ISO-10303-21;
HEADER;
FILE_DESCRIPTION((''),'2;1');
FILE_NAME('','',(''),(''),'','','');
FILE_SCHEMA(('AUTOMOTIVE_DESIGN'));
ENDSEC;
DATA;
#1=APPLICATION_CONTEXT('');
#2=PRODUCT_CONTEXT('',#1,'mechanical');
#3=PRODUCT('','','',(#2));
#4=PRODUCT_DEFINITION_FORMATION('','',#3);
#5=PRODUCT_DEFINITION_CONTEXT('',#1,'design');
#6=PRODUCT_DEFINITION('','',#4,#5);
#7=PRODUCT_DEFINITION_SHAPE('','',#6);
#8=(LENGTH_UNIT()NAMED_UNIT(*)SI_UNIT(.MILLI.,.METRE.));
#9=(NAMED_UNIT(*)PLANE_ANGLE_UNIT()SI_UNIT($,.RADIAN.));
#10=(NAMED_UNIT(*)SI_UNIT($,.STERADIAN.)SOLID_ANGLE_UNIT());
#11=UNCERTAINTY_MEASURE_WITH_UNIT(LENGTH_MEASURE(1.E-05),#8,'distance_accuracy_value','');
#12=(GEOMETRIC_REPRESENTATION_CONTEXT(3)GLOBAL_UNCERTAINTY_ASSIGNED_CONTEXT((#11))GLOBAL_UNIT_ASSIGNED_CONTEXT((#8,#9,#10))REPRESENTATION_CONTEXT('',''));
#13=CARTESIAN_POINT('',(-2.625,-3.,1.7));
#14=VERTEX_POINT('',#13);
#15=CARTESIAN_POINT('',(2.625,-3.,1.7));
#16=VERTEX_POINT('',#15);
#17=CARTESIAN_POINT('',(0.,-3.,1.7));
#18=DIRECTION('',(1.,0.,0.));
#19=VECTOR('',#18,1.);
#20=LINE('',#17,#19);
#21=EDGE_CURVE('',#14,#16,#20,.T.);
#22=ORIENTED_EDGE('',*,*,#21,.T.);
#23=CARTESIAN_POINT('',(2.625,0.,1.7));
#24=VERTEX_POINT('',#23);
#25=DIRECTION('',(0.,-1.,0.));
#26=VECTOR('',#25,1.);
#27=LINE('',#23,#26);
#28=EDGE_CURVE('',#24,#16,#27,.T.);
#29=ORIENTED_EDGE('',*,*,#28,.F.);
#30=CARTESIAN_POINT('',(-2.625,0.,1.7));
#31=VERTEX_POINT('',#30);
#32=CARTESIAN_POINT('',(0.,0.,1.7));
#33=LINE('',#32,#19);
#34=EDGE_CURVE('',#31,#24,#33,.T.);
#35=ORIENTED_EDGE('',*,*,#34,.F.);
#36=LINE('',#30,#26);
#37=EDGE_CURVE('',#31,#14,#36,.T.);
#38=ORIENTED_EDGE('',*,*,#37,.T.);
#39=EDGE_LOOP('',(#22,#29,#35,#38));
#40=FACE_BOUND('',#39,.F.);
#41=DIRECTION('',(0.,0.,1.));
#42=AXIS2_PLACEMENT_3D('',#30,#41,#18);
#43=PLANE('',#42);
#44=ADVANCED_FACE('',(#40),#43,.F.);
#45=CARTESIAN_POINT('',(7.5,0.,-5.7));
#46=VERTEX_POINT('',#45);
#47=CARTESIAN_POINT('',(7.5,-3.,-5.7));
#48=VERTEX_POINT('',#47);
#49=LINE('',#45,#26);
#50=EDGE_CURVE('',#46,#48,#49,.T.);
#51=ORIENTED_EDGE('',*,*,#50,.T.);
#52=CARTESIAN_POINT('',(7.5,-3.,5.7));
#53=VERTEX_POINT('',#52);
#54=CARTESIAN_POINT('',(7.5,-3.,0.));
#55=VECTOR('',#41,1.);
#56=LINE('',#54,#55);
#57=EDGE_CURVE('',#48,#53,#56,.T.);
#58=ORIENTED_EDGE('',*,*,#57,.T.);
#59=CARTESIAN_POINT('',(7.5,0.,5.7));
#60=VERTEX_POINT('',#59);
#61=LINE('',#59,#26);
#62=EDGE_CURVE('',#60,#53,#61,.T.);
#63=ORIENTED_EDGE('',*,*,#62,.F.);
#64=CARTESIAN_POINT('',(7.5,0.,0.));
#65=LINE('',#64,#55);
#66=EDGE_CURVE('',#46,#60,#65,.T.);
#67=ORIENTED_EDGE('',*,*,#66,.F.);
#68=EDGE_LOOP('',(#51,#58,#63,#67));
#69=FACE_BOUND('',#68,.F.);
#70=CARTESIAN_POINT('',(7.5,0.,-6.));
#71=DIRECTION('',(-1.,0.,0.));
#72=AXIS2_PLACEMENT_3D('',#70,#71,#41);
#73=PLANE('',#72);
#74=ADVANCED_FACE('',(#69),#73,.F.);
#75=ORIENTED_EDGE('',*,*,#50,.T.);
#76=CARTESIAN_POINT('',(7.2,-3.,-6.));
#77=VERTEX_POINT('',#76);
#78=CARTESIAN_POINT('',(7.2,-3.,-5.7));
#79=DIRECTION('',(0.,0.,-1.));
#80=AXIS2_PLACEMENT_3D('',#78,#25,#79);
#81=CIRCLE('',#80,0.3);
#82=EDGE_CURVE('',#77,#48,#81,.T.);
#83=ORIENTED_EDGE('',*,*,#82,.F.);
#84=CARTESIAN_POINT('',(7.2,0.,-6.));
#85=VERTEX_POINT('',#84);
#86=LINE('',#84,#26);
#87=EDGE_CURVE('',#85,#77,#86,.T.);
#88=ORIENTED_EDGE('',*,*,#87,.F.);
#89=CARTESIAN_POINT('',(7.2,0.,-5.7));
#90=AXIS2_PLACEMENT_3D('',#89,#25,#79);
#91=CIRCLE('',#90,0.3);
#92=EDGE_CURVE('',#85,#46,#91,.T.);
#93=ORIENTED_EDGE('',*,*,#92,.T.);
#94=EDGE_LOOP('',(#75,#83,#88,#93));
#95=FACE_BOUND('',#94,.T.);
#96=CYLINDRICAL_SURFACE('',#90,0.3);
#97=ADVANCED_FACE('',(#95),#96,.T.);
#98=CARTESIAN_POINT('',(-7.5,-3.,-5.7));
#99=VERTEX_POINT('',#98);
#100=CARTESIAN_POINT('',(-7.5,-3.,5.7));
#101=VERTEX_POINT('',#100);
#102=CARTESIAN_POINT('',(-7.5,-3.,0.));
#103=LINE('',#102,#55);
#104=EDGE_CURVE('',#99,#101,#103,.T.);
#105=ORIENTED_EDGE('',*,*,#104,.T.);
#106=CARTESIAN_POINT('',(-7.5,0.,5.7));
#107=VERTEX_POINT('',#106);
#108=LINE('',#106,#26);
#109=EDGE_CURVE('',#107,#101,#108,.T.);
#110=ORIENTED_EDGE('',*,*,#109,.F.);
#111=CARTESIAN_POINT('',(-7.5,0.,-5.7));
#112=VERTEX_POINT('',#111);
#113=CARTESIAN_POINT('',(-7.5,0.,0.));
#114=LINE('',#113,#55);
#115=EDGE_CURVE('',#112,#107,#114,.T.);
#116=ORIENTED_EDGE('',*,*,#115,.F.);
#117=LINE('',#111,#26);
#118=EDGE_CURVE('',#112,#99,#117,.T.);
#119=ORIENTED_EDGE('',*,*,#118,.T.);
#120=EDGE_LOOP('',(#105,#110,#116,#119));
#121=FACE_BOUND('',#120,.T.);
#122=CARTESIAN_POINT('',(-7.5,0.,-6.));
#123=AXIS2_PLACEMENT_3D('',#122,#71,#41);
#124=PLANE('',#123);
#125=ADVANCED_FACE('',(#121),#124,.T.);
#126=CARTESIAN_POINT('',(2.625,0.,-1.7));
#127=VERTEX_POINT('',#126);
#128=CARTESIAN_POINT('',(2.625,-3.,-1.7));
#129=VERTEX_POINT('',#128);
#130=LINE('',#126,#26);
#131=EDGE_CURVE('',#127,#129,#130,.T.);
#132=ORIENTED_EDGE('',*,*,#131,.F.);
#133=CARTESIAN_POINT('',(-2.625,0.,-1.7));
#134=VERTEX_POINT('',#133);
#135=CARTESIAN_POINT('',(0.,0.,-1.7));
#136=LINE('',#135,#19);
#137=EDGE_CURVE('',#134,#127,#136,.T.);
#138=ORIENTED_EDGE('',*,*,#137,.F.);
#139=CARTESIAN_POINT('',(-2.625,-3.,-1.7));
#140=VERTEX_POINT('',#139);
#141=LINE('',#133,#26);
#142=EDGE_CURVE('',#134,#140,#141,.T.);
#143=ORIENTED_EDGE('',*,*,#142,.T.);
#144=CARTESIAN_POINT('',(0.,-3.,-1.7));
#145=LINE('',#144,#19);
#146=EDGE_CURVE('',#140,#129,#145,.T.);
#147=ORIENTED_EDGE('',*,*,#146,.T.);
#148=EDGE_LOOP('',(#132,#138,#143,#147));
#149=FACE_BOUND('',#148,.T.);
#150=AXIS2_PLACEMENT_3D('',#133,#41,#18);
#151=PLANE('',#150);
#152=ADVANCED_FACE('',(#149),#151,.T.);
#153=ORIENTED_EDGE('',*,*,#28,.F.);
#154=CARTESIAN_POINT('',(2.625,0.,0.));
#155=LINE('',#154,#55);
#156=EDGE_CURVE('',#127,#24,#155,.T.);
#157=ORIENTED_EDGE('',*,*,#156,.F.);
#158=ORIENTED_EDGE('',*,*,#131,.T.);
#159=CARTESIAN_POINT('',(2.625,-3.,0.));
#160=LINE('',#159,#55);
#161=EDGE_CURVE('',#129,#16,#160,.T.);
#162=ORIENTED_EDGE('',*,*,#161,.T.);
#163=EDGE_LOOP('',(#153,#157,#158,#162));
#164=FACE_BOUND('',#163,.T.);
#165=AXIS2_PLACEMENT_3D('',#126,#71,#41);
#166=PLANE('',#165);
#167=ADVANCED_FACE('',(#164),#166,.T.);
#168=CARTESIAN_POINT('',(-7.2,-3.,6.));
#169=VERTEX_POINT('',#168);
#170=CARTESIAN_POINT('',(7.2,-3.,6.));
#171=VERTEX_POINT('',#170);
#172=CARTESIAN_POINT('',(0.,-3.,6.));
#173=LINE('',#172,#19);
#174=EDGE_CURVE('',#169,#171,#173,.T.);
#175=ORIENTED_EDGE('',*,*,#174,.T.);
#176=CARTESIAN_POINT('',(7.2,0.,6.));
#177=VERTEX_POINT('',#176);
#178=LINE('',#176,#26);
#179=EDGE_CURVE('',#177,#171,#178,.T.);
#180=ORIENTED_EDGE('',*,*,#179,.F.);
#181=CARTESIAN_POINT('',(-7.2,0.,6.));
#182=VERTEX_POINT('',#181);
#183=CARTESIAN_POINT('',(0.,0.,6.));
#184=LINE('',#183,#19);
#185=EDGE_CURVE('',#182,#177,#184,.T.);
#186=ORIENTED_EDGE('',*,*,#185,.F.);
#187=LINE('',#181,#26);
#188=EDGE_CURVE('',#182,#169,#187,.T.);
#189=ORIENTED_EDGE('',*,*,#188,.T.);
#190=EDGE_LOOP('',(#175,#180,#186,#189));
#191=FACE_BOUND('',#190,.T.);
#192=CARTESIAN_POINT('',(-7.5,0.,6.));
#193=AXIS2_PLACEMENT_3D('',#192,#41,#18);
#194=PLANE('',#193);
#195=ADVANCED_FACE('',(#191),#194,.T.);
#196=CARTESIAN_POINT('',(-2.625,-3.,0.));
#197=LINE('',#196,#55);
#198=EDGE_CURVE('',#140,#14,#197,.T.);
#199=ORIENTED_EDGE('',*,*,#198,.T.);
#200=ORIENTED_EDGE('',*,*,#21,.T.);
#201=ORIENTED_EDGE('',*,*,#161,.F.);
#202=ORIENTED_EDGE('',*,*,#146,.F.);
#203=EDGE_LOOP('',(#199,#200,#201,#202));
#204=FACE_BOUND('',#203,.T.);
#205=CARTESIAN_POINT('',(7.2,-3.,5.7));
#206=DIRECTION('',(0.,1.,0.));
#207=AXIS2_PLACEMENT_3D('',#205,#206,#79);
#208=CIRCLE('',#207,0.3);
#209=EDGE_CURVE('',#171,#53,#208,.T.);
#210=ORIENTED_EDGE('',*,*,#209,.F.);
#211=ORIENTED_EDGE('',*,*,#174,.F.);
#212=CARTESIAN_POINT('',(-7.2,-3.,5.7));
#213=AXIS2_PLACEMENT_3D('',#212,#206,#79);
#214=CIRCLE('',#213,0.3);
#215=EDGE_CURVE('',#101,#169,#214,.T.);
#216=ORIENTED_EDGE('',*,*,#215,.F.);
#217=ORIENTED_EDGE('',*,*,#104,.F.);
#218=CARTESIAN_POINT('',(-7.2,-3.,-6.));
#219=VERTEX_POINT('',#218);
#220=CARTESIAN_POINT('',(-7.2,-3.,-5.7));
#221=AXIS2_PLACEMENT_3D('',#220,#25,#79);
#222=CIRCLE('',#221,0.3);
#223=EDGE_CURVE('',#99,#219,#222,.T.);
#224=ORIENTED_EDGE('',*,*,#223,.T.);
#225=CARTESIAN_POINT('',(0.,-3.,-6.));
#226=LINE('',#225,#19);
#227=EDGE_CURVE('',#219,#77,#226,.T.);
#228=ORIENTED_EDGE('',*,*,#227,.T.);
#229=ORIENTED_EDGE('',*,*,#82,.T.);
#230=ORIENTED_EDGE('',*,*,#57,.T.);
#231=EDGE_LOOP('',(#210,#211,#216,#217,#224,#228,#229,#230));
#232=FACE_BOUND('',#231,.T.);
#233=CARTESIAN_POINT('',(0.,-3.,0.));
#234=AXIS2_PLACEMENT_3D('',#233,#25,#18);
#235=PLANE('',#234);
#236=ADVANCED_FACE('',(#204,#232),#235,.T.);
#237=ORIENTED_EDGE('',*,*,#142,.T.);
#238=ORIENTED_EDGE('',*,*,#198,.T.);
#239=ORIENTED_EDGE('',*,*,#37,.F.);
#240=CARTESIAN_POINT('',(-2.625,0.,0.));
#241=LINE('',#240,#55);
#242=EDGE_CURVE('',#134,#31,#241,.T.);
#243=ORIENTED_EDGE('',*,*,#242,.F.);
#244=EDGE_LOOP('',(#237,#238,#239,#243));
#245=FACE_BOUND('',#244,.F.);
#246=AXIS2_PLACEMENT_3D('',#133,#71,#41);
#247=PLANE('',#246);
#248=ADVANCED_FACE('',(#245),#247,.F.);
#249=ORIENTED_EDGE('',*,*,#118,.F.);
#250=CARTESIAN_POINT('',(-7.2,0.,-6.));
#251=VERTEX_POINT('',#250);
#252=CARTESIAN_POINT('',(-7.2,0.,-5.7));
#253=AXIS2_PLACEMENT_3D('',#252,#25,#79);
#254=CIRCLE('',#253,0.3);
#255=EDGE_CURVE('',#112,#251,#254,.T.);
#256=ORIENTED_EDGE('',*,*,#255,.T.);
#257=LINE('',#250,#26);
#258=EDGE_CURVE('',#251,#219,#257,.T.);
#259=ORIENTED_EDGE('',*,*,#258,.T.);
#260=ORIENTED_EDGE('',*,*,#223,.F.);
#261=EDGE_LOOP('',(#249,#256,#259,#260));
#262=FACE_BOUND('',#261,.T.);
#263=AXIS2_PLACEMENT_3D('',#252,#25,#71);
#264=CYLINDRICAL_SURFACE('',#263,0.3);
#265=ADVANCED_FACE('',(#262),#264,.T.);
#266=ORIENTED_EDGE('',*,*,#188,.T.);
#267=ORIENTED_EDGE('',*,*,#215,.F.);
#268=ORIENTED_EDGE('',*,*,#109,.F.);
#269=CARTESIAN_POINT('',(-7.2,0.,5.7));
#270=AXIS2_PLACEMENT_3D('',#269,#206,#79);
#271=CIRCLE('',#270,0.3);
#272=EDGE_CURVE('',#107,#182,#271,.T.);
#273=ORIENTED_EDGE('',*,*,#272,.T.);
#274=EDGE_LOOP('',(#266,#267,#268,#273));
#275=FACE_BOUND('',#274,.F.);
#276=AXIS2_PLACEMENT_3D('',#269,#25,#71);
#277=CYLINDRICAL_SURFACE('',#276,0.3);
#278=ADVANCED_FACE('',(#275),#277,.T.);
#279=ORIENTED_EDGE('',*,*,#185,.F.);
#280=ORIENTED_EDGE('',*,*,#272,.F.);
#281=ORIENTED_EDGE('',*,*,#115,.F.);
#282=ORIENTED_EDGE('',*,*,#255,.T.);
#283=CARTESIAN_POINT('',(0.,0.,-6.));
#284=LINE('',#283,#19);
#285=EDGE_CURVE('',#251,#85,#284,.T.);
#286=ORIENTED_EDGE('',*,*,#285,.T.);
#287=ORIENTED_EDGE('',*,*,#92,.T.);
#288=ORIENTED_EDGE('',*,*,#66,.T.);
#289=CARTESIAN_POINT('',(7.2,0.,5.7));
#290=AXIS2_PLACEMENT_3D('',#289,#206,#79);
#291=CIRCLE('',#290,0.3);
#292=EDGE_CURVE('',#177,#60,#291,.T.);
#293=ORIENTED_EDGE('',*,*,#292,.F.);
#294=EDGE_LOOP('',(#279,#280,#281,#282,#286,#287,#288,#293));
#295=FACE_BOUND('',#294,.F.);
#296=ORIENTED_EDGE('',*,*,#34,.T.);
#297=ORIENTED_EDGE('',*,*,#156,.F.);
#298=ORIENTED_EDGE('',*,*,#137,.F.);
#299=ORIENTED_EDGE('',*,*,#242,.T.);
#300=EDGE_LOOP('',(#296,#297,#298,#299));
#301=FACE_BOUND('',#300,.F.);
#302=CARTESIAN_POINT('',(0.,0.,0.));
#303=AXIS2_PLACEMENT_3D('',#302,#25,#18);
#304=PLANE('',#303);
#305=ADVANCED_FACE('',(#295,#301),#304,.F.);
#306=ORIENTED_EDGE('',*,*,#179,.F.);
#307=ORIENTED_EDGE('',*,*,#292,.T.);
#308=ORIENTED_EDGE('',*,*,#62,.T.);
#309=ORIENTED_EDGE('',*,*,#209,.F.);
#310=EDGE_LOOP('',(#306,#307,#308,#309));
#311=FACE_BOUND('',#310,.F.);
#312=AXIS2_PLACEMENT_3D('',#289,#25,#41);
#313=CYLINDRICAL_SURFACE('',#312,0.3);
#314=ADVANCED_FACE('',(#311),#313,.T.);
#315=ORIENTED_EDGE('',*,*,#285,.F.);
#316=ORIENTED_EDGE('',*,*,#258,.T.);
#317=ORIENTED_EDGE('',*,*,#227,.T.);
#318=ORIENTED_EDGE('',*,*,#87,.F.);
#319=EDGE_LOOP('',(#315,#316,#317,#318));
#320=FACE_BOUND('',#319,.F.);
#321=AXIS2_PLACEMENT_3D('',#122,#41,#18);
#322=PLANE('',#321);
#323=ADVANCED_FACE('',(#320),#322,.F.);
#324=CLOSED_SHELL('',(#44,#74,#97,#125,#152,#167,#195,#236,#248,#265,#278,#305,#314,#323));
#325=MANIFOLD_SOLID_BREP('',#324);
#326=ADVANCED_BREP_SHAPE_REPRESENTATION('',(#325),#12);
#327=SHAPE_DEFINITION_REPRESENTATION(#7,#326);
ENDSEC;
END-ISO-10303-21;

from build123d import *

# Parameters (mm, degrees)
F0_W     = 15
F0_H     = 12
F0_W_2   = 5.25
F0_H_2   = 3.4
F1_DEPTH = 3
F2_R     = 0.3


with BuildPart() as f1:
    # F0 (on Front) → F1 (new body)
    with BuildSketch(Plane.XZ):
        Rectangle(F0_W, F0_H)
        Rectangle(F0_W_2, F0_H_2, mode=Mode.SUBTRACT)
    extrude(amount=F1_DEPTH)

    # F2
    f2_edges = [f1.edges().sort_by_distance(p)[0] for p in [
        (-7.5, -1.5, 6),
        (-7.5, -1.5, -6),
        (7.5, -1.5, 6),
        (7.5, -1.5, -6),
    ]]
    fillet(f2_edges, radius=F2_R)


solid = f1.part
